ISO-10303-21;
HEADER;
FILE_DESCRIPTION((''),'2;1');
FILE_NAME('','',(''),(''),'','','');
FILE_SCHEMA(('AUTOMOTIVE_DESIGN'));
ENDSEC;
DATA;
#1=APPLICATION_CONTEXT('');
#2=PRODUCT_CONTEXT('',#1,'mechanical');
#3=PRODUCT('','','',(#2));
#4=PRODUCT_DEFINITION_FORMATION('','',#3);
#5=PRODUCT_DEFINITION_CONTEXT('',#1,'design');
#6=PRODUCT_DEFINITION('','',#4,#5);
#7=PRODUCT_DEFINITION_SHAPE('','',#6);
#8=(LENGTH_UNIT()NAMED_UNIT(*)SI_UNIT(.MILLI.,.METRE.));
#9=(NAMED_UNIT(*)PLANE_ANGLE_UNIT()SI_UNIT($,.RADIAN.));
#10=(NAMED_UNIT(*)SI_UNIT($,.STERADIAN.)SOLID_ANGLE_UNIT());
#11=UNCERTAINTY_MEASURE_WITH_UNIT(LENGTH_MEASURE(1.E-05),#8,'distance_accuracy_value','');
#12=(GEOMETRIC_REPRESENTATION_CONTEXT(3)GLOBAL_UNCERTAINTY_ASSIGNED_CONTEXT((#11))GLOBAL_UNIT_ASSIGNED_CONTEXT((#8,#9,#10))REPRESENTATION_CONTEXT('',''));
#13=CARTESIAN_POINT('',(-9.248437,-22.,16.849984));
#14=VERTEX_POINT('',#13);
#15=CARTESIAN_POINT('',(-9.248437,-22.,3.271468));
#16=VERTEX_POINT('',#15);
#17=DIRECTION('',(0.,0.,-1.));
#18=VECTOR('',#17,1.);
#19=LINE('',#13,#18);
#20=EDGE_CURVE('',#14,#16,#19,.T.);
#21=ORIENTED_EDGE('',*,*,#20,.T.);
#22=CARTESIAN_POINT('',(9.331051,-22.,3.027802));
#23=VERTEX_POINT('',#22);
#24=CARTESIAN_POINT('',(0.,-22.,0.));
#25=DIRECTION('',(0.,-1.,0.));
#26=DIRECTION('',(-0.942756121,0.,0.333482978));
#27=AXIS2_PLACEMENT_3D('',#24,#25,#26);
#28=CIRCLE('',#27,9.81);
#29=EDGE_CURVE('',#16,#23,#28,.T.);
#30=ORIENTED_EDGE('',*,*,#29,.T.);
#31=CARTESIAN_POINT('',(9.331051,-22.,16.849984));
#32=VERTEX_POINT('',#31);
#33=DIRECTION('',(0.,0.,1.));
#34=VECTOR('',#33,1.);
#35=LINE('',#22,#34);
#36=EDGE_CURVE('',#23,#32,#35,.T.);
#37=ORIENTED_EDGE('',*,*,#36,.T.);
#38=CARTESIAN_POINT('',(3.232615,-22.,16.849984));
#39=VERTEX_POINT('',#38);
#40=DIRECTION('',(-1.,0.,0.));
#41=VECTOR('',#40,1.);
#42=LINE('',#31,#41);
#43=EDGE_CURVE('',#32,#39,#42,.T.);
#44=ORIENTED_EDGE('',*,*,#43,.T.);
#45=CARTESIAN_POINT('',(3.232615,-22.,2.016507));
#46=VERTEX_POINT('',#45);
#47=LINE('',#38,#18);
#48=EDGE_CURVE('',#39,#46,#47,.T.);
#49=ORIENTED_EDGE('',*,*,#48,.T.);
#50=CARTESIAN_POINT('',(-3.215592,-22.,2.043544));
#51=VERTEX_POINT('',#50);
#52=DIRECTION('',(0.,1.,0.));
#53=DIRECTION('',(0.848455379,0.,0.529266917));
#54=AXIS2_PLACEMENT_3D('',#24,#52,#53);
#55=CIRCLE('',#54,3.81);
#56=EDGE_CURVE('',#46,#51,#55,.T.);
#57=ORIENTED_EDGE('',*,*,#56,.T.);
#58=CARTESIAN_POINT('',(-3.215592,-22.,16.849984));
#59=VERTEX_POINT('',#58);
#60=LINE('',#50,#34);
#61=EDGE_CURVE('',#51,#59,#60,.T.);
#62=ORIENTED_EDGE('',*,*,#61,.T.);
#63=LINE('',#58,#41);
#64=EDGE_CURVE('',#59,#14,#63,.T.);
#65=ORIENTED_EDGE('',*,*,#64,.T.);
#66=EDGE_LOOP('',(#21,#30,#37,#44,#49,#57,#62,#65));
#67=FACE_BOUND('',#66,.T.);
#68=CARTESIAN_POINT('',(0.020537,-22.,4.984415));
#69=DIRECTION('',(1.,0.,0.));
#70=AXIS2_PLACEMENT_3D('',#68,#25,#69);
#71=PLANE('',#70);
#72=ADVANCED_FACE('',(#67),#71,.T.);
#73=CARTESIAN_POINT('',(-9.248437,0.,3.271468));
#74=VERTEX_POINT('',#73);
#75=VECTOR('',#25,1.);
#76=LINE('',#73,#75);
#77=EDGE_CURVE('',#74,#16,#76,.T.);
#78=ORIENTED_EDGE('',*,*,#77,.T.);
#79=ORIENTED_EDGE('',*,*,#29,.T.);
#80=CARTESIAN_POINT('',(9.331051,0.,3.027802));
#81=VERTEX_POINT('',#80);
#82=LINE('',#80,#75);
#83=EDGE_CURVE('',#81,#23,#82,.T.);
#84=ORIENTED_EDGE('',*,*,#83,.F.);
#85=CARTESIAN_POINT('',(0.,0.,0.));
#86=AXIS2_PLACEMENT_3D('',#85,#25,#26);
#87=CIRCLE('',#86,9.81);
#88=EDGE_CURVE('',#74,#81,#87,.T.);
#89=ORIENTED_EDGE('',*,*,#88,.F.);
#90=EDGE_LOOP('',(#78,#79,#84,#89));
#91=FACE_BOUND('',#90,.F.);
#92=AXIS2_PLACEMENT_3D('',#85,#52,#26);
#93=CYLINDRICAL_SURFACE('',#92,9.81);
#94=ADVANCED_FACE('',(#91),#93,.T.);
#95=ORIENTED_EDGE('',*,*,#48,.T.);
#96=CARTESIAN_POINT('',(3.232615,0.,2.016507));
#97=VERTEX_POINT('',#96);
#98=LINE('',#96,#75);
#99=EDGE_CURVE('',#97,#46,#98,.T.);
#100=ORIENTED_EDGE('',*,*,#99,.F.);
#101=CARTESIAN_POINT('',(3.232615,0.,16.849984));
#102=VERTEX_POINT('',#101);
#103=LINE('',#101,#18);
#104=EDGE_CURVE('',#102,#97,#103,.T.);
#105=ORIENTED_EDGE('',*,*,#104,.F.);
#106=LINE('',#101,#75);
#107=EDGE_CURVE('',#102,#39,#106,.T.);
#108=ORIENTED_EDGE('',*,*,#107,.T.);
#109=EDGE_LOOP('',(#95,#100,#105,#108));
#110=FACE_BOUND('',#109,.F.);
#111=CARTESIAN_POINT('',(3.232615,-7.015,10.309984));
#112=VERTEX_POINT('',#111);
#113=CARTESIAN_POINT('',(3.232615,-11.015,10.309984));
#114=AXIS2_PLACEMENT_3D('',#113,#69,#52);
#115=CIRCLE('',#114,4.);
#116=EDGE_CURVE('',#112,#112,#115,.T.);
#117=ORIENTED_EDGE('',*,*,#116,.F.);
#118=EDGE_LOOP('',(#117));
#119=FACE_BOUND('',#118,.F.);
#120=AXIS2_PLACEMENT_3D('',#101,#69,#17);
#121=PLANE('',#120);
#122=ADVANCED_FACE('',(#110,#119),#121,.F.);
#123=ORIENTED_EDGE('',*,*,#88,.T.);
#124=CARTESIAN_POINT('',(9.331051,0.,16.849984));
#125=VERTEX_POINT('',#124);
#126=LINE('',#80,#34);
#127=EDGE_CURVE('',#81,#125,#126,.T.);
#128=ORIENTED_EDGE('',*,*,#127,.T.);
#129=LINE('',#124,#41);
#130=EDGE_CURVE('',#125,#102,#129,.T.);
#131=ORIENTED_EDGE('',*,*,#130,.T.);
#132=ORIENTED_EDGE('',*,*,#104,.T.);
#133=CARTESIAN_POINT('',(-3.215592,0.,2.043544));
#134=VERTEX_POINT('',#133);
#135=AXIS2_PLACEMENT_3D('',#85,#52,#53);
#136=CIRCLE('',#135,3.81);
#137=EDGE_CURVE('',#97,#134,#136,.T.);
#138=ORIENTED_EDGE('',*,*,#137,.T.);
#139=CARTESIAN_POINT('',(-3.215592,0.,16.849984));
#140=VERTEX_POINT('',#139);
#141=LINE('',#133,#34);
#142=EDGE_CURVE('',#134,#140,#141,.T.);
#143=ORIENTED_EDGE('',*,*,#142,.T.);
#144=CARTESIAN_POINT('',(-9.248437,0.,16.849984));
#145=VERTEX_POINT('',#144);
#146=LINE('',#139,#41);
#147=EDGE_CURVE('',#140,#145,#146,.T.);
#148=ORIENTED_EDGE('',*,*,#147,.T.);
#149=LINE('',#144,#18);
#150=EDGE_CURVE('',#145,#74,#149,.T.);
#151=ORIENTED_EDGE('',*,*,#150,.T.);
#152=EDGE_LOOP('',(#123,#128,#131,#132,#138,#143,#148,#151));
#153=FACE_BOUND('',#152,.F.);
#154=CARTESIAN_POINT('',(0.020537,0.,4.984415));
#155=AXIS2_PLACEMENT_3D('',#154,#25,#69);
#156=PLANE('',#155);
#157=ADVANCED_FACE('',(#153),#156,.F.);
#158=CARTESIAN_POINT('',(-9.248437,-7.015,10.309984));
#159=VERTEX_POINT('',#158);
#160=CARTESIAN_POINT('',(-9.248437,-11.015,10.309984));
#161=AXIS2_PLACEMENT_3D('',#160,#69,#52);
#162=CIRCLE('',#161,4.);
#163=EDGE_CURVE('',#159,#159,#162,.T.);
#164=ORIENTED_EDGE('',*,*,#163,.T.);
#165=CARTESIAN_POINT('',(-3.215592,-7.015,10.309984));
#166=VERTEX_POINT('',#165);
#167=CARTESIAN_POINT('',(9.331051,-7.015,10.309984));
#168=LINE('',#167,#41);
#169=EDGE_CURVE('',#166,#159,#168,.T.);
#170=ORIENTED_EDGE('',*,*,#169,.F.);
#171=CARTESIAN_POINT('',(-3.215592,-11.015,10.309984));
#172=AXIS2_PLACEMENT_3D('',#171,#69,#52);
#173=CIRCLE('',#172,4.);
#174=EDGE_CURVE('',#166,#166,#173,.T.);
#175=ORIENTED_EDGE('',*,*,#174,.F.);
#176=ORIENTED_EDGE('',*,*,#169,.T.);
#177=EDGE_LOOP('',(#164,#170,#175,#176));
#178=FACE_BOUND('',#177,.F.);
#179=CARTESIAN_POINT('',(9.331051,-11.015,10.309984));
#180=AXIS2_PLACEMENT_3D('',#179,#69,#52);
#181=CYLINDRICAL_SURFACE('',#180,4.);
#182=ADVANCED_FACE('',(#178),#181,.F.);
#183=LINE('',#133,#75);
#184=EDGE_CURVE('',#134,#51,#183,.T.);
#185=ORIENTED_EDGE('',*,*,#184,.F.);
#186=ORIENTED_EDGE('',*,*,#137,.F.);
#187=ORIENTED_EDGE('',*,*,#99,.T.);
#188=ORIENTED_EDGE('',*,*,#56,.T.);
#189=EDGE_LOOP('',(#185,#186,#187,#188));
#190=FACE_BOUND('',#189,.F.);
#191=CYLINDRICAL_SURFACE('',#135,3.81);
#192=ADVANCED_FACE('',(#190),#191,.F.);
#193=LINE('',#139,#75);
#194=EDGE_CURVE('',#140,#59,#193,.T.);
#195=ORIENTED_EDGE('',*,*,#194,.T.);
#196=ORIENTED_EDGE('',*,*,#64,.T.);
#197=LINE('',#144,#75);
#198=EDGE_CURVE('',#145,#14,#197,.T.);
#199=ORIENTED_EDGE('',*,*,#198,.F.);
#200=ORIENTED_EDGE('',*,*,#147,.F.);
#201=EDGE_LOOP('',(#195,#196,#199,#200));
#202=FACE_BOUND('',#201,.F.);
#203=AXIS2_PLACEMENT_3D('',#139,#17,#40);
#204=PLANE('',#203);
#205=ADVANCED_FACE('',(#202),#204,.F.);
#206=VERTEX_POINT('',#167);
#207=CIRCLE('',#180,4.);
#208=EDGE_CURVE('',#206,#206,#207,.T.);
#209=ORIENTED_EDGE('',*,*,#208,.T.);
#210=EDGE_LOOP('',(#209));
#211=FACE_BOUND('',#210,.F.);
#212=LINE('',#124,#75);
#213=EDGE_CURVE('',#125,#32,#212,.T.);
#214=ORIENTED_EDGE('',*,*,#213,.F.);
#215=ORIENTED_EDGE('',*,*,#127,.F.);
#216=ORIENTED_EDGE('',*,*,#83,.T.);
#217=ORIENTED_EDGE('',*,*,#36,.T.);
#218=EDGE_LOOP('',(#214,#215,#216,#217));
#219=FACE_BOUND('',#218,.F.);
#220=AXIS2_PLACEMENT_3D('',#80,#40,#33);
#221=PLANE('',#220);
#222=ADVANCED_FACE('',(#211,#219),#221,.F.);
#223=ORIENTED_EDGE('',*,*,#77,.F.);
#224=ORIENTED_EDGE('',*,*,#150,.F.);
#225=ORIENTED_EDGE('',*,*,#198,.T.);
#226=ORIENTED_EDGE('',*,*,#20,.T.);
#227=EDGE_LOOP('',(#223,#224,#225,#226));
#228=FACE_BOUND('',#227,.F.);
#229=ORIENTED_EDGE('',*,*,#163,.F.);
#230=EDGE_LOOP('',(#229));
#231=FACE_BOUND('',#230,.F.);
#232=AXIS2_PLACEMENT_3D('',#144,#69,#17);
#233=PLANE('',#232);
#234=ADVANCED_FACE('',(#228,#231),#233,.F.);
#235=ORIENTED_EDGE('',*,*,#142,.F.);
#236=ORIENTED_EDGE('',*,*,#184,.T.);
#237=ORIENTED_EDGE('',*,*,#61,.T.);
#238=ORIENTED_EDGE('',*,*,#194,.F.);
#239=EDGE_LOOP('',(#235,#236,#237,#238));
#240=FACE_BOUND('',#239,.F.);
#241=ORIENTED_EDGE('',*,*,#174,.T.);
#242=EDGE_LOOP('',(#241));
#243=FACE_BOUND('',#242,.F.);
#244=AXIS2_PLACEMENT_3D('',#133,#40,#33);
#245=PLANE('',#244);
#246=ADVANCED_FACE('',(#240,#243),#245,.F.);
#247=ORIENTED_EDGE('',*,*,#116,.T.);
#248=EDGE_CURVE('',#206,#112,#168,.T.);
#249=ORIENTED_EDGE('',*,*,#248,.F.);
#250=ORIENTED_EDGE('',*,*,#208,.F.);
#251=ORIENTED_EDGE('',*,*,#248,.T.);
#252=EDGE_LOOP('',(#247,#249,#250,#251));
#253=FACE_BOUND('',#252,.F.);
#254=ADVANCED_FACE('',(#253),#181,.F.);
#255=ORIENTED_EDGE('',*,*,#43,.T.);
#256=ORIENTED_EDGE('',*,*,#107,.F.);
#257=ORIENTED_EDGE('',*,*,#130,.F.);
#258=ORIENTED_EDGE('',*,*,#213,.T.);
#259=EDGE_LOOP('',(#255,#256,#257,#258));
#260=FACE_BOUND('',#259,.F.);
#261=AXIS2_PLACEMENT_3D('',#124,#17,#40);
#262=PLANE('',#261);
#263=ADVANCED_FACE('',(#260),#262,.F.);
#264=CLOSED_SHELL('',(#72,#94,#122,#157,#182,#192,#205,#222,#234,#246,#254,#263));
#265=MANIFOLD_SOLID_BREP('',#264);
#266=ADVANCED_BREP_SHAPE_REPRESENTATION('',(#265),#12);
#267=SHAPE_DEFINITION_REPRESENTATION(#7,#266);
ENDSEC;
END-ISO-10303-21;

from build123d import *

# Parameters (mm, degrees)
F1_DEPTH = 22
F2_R     = 4
F3_DEPTH = 18.579489


with BuildPart() as f1:
    # F0 (on Front) → F1 (new body)
    with BuildSketch(Plane.XZ):
        with BuildLine():
            ThreePointArc((3.232615, 2.016507), (-0.015975, -3.809967), (-3.215592, 2.043544))
            Line((-3.215592, 2.043544), (-3.215592, 16.849984))
            Line((-3.215592, 16.849984), (-9.248437, 16.849984))
            Line((-9.248437, 16.849984), (-9.248437, 3.271468))
            ThreePointArc((-9.248437, 3.271468), (-0.128645, -9.809156), (9.331051, 3.027802))
            Line((9.331051, 3.027802), (9.331051, 16.849984))
            Line((9.331051, 16.849984), (3.232615, 16.849984))
            Line((3.232615, 16.849984), (3.232615, 2.016507))
        make_face()
    extrude(amount=F1_DEPTH)

    # F2 (on face) → F3 (cut, through all)
    with BuildSketch(Plane.YZ.offset(9.331051)):
        with Locations((-11.015, 10.309984)):
            Circle(F2_R)
    extrude(amount=-F3_DEPTH, mode=Mode.SUBTRACT)


solid = f1.part
